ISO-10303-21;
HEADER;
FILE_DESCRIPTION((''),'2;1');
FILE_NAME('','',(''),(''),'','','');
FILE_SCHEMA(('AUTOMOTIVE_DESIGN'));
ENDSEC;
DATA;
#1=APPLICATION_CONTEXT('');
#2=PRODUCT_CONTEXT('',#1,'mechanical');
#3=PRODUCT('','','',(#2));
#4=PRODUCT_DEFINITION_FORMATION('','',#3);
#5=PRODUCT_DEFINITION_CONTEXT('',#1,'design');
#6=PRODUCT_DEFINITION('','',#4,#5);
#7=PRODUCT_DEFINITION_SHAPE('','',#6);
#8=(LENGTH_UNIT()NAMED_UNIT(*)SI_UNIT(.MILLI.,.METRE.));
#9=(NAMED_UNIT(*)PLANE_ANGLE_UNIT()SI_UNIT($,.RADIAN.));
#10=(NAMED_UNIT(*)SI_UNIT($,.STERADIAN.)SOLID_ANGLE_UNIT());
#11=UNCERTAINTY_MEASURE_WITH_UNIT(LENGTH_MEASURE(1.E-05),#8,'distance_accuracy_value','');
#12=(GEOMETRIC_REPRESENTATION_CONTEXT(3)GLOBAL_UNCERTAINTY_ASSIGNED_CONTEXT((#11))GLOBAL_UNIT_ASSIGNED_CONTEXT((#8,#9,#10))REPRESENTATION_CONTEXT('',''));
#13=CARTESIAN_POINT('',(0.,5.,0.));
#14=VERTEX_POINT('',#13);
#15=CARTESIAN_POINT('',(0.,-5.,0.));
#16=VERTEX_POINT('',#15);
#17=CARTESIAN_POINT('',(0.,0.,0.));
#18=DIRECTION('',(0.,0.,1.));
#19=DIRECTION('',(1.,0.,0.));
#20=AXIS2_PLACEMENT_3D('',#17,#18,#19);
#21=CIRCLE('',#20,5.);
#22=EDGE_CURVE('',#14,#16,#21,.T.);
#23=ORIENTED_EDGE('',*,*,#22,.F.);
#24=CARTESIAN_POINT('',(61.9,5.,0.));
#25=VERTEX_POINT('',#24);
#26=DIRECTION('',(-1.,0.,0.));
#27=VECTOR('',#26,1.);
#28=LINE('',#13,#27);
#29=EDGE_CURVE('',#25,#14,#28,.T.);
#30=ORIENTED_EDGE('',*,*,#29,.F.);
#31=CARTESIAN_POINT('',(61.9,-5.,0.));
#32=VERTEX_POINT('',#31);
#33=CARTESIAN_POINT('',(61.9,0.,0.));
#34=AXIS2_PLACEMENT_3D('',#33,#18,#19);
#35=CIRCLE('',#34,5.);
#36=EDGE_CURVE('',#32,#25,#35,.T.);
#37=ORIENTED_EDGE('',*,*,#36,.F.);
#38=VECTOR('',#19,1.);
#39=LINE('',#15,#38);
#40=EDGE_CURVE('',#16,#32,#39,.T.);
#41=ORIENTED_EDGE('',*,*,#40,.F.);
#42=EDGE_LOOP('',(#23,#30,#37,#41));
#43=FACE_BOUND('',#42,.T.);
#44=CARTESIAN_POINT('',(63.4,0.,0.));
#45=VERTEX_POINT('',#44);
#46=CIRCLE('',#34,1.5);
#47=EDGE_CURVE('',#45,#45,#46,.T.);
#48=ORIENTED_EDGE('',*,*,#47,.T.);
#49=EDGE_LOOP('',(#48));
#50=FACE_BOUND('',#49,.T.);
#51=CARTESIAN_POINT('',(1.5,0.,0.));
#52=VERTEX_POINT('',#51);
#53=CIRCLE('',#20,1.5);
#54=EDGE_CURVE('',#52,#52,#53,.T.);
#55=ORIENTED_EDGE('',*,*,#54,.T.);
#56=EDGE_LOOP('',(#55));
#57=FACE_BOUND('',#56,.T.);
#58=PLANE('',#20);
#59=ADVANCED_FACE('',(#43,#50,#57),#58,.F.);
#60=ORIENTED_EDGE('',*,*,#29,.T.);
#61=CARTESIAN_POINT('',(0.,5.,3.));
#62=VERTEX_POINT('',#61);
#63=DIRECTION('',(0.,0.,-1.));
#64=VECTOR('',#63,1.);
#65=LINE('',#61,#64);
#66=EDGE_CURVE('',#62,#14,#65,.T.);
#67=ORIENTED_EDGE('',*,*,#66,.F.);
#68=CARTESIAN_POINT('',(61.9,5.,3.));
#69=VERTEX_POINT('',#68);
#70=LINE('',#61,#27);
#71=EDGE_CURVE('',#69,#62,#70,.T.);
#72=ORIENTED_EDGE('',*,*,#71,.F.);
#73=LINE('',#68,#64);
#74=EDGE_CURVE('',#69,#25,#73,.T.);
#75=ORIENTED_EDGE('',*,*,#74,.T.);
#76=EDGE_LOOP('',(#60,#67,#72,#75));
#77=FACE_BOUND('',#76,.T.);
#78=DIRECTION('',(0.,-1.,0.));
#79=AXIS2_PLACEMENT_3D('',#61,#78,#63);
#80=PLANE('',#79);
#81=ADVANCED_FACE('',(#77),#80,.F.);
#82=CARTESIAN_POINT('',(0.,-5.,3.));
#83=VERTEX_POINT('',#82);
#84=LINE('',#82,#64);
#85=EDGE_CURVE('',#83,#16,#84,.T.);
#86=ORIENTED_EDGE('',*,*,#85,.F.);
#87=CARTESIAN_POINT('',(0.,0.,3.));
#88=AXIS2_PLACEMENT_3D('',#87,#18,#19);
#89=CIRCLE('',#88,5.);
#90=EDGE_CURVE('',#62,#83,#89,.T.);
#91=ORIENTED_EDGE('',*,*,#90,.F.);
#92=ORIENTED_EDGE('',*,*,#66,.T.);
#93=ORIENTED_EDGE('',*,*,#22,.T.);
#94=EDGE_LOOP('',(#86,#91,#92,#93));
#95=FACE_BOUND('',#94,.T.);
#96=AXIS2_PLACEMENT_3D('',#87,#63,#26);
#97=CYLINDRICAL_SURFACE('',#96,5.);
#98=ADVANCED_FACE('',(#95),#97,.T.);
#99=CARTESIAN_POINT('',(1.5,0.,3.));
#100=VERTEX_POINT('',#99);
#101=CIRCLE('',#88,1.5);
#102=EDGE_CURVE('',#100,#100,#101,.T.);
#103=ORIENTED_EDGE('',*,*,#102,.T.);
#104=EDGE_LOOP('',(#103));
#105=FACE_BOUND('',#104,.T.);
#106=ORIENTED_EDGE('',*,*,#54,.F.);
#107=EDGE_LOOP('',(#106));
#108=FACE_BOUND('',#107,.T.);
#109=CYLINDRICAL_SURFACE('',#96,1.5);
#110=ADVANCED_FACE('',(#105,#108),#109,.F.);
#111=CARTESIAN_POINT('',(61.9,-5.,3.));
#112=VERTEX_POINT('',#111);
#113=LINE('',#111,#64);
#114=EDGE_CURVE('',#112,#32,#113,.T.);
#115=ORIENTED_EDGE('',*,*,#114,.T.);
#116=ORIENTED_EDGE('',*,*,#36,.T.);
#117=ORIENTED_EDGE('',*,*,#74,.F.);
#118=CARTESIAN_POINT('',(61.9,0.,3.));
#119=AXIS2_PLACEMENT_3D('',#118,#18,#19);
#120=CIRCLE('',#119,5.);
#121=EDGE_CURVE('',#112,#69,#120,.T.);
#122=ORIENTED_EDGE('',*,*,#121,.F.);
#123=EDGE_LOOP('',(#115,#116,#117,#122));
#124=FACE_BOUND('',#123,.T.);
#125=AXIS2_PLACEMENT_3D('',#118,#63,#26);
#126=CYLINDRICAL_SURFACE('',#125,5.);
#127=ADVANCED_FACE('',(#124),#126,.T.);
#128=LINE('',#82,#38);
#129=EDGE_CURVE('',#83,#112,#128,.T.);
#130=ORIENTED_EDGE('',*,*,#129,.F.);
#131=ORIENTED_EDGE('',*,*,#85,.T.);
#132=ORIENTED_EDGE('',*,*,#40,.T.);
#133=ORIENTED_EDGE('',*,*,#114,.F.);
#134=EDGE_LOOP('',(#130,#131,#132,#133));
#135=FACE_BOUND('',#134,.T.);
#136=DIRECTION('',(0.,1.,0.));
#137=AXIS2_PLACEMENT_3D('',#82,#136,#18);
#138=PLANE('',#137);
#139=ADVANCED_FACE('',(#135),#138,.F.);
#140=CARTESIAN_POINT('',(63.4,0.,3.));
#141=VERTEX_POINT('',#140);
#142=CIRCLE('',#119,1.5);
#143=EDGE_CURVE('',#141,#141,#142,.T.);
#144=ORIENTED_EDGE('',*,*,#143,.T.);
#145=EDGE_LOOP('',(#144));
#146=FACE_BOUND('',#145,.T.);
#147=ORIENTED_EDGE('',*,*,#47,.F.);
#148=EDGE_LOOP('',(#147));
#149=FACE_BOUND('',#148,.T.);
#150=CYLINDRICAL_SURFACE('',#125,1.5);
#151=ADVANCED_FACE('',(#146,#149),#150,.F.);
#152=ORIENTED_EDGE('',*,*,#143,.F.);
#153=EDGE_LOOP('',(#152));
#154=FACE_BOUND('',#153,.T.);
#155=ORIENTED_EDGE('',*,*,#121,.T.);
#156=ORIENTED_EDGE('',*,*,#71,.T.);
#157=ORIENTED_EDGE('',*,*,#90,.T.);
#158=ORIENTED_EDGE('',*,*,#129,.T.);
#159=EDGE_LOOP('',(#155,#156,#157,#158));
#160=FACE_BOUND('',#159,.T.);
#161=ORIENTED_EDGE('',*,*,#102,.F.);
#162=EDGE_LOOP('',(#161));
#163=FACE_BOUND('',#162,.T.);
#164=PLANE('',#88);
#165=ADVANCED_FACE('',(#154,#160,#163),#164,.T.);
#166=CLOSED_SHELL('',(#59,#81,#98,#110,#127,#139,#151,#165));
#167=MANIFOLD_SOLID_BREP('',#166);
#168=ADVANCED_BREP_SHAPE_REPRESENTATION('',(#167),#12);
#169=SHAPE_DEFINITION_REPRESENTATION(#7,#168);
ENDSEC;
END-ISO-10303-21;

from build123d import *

# Parameters (mm, degrees)
SKETCH1_R           = 1.5
BOSS_EXTRUDE1_DEPTH = 3


with BuildPart() as part:
    # Sketch1 → Boss-Extrude1 (new body)
    with BuildSketch(Plane.XY):
        with BuildLine():
            Line((0, 5), (61.9, 5))
            ThreePointArc((61.9, 5), (66.9, 0), (61.9, -5))
            Line((61.9, -5), (0, -5))
            ThreePointArc((0, -5), (-5, 0), (0, 5))
        make_face()
        Circle(SKETCH1_R, mode=Mode.SUBTRACT)
        with Locations((61.9, 0)):
            Circle(SKETCH1_R, mode=Mode.SUBTRACT)
    extrude(amount=BOSS_EXTRUDE1_DEPTH)


solid = part.part
